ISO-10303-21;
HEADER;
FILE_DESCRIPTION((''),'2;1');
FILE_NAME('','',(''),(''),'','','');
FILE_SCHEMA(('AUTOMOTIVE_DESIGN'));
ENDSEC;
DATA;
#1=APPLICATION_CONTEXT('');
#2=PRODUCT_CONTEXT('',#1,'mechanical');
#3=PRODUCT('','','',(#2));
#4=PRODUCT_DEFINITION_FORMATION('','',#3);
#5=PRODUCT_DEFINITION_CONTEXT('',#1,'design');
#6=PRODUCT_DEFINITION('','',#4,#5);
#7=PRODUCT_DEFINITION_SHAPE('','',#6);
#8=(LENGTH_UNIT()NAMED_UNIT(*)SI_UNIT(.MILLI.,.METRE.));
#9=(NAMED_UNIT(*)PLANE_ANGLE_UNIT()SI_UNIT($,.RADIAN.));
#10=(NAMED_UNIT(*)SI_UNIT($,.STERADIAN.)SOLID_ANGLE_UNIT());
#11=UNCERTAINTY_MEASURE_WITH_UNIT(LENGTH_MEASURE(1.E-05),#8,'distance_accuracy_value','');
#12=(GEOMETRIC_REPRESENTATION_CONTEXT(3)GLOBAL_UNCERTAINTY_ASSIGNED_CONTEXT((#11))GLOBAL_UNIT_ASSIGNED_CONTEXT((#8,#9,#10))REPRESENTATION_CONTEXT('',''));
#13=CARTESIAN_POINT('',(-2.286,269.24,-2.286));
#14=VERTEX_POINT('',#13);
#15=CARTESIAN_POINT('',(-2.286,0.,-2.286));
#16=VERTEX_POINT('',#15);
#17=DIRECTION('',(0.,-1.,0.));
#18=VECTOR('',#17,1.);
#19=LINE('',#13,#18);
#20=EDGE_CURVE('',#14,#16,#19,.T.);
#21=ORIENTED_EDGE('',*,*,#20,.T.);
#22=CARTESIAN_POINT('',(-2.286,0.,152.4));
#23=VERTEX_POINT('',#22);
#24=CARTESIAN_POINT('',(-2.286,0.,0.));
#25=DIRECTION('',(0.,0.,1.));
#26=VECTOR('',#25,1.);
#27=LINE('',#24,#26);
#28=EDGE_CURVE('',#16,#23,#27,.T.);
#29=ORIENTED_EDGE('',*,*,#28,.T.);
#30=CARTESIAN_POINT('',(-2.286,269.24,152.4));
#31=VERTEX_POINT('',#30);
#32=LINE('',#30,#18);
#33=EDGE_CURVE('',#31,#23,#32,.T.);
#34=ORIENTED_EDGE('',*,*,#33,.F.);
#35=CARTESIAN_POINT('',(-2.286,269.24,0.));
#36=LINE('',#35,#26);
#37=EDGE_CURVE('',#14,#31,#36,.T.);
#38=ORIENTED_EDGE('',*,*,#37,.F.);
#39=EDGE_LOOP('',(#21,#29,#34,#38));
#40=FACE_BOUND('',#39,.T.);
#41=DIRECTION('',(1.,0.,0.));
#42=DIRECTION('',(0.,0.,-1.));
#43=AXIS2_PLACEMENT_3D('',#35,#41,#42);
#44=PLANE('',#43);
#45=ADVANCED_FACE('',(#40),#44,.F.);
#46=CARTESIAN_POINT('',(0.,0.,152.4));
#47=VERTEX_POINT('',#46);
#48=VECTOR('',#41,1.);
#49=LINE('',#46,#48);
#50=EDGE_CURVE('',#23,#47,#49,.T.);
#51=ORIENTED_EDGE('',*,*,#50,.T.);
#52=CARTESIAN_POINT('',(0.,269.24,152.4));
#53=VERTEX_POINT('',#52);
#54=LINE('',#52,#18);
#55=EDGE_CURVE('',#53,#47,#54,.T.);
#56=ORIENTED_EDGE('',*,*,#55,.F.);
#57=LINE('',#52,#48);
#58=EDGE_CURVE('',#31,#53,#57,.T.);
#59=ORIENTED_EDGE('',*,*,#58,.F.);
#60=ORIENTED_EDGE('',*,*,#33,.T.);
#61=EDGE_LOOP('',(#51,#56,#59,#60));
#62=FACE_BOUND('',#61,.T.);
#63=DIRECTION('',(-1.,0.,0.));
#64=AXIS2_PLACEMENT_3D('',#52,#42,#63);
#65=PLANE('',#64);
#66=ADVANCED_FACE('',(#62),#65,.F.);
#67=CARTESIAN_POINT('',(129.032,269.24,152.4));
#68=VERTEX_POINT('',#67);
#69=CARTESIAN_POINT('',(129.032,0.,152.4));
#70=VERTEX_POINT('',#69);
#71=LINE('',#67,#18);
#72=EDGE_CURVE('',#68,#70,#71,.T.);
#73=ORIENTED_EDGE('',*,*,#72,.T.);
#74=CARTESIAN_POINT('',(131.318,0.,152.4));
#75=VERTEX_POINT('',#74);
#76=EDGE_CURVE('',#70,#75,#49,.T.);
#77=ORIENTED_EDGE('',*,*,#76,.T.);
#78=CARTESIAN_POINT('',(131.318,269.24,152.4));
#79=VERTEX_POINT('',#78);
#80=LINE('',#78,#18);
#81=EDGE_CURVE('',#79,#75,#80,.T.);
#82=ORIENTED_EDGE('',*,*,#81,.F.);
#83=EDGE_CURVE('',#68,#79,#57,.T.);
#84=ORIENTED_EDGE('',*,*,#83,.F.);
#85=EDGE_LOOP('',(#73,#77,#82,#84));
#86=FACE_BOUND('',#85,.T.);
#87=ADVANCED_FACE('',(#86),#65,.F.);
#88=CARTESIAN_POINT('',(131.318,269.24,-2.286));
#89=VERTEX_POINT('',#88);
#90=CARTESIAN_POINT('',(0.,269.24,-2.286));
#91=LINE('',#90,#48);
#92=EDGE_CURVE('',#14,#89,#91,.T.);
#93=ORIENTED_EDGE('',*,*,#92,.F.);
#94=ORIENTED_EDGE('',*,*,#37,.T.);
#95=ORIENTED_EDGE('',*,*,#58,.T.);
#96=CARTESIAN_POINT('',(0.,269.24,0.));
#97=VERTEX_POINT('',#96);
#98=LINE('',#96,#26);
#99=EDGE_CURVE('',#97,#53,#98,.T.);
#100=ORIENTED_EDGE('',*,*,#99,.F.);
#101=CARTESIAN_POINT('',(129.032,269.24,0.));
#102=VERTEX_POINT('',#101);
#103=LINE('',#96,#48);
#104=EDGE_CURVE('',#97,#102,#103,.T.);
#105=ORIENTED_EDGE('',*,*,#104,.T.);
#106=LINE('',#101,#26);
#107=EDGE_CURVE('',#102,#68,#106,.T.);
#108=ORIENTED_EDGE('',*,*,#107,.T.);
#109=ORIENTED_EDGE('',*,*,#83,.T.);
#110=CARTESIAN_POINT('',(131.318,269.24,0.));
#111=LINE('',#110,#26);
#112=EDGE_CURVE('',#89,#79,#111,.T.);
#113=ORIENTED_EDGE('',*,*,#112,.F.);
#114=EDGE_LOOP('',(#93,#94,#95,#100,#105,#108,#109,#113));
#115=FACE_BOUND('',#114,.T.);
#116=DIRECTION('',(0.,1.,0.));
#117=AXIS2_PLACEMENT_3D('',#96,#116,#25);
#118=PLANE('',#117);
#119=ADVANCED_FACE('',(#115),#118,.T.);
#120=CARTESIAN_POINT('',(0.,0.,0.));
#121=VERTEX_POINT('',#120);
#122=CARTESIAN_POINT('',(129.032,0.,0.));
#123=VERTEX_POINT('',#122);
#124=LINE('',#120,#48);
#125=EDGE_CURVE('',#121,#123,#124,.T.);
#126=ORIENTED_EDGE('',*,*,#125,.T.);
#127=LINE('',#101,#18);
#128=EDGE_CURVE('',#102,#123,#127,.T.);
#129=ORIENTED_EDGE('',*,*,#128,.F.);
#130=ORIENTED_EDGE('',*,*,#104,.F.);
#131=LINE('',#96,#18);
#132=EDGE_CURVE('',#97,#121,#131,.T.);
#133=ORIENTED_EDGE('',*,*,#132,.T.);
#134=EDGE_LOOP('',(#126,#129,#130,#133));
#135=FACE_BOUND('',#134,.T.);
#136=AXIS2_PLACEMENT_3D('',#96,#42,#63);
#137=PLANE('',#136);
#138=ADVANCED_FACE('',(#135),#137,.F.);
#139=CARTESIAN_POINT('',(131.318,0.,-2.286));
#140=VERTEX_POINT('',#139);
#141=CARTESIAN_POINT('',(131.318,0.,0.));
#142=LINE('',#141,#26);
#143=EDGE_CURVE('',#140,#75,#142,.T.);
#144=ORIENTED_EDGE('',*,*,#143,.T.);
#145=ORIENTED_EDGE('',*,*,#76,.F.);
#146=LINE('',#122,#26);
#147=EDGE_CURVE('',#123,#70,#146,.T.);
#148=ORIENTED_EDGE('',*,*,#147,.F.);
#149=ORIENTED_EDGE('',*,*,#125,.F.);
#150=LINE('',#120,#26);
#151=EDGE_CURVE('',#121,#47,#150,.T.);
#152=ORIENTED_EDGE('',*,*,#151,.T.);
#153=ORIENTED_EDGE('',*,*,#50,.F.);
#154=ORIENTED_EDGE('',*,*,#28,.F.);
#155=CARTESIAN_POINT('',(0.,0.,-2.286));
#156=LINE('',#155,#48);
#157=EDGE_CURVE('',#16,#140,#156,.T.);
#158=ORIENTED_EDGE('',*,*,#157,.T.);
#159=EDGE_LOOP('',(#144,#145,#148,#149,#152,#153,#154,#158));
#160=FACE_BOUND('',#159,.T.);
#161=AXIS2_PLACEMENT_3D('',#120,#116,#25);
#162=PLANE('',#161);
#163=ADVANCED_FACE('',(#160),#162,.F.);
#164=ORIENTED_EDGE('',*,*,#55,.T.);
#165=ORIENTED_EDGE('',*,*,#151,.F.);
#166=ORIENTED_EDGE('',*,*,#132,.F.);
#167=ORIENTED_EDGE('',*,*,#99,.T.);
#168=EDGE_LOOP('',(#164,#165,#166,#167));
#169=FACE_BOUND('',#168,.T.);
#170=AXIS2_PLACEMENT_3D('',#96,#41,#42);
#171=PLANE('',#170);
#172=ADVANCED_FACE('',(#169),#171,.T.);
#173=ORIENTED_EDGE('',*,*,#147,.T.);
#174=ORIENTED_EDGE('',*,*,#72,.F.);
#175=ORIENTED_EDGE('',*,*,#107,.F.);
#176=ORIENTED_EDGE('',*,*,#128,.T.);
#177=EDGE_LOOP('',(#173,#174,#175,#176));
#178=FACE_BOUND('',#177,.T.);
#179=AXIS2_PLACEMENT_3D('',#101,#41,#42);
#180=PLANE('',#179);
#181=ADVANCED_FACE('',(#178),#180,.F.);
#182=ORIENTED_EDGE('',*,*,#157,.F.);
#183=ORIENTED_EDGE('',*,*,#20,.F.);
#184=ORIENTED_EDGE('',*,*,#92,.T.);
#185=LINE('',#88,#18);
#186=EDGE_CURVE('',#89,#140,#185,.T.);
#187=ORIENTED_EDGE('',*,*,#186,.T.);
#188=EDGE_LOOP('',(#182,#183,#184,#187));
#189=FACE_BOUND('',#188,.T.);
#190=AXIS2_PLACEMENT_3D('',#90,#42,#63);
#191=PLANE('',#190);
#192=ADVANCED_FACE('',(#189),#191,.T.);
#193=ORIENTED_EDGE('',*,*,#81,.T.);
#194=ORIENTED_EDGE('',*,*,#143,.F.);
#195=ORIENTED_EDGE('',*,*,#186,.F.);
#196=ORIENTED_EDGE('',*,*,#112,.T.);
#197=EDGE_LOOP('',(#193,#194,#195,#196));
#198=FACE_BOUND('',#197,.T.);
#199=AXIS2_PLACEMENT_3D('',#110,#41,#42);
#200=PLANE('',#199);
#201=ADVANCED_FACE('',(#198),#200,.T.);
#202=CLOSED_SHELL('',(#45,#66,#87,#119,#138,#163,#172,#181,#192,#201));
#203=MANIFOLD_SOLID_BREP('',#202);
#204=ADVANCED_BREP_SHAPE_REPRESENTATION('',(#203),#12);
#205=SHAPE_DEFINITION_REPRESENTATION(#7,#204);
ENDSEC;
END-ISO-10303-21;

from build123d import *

# Parameters (mm, degrees)
BOSS_EXTRUDE2_DEPTH = 269.24


with BuildPart() as part:
    # Sketch1 → Boss-Extrude2 (new body)
    with BuildSketch(Plane(origin=(0, 0, 0), x_dir=(1, 0, 0), z_dir=(0, 1, 0))):
        Polygon((131.318, 2.286), (131.318, -152.4), (129.032, -152.4), (129.032, 0), (0, 0), (0, -152.4), (-2.286, -152.4), (-2.286, 2.286), align=None)
    extrude(amount=BOSS_EXTRUDE2_DEPTH)


solid = part.part
